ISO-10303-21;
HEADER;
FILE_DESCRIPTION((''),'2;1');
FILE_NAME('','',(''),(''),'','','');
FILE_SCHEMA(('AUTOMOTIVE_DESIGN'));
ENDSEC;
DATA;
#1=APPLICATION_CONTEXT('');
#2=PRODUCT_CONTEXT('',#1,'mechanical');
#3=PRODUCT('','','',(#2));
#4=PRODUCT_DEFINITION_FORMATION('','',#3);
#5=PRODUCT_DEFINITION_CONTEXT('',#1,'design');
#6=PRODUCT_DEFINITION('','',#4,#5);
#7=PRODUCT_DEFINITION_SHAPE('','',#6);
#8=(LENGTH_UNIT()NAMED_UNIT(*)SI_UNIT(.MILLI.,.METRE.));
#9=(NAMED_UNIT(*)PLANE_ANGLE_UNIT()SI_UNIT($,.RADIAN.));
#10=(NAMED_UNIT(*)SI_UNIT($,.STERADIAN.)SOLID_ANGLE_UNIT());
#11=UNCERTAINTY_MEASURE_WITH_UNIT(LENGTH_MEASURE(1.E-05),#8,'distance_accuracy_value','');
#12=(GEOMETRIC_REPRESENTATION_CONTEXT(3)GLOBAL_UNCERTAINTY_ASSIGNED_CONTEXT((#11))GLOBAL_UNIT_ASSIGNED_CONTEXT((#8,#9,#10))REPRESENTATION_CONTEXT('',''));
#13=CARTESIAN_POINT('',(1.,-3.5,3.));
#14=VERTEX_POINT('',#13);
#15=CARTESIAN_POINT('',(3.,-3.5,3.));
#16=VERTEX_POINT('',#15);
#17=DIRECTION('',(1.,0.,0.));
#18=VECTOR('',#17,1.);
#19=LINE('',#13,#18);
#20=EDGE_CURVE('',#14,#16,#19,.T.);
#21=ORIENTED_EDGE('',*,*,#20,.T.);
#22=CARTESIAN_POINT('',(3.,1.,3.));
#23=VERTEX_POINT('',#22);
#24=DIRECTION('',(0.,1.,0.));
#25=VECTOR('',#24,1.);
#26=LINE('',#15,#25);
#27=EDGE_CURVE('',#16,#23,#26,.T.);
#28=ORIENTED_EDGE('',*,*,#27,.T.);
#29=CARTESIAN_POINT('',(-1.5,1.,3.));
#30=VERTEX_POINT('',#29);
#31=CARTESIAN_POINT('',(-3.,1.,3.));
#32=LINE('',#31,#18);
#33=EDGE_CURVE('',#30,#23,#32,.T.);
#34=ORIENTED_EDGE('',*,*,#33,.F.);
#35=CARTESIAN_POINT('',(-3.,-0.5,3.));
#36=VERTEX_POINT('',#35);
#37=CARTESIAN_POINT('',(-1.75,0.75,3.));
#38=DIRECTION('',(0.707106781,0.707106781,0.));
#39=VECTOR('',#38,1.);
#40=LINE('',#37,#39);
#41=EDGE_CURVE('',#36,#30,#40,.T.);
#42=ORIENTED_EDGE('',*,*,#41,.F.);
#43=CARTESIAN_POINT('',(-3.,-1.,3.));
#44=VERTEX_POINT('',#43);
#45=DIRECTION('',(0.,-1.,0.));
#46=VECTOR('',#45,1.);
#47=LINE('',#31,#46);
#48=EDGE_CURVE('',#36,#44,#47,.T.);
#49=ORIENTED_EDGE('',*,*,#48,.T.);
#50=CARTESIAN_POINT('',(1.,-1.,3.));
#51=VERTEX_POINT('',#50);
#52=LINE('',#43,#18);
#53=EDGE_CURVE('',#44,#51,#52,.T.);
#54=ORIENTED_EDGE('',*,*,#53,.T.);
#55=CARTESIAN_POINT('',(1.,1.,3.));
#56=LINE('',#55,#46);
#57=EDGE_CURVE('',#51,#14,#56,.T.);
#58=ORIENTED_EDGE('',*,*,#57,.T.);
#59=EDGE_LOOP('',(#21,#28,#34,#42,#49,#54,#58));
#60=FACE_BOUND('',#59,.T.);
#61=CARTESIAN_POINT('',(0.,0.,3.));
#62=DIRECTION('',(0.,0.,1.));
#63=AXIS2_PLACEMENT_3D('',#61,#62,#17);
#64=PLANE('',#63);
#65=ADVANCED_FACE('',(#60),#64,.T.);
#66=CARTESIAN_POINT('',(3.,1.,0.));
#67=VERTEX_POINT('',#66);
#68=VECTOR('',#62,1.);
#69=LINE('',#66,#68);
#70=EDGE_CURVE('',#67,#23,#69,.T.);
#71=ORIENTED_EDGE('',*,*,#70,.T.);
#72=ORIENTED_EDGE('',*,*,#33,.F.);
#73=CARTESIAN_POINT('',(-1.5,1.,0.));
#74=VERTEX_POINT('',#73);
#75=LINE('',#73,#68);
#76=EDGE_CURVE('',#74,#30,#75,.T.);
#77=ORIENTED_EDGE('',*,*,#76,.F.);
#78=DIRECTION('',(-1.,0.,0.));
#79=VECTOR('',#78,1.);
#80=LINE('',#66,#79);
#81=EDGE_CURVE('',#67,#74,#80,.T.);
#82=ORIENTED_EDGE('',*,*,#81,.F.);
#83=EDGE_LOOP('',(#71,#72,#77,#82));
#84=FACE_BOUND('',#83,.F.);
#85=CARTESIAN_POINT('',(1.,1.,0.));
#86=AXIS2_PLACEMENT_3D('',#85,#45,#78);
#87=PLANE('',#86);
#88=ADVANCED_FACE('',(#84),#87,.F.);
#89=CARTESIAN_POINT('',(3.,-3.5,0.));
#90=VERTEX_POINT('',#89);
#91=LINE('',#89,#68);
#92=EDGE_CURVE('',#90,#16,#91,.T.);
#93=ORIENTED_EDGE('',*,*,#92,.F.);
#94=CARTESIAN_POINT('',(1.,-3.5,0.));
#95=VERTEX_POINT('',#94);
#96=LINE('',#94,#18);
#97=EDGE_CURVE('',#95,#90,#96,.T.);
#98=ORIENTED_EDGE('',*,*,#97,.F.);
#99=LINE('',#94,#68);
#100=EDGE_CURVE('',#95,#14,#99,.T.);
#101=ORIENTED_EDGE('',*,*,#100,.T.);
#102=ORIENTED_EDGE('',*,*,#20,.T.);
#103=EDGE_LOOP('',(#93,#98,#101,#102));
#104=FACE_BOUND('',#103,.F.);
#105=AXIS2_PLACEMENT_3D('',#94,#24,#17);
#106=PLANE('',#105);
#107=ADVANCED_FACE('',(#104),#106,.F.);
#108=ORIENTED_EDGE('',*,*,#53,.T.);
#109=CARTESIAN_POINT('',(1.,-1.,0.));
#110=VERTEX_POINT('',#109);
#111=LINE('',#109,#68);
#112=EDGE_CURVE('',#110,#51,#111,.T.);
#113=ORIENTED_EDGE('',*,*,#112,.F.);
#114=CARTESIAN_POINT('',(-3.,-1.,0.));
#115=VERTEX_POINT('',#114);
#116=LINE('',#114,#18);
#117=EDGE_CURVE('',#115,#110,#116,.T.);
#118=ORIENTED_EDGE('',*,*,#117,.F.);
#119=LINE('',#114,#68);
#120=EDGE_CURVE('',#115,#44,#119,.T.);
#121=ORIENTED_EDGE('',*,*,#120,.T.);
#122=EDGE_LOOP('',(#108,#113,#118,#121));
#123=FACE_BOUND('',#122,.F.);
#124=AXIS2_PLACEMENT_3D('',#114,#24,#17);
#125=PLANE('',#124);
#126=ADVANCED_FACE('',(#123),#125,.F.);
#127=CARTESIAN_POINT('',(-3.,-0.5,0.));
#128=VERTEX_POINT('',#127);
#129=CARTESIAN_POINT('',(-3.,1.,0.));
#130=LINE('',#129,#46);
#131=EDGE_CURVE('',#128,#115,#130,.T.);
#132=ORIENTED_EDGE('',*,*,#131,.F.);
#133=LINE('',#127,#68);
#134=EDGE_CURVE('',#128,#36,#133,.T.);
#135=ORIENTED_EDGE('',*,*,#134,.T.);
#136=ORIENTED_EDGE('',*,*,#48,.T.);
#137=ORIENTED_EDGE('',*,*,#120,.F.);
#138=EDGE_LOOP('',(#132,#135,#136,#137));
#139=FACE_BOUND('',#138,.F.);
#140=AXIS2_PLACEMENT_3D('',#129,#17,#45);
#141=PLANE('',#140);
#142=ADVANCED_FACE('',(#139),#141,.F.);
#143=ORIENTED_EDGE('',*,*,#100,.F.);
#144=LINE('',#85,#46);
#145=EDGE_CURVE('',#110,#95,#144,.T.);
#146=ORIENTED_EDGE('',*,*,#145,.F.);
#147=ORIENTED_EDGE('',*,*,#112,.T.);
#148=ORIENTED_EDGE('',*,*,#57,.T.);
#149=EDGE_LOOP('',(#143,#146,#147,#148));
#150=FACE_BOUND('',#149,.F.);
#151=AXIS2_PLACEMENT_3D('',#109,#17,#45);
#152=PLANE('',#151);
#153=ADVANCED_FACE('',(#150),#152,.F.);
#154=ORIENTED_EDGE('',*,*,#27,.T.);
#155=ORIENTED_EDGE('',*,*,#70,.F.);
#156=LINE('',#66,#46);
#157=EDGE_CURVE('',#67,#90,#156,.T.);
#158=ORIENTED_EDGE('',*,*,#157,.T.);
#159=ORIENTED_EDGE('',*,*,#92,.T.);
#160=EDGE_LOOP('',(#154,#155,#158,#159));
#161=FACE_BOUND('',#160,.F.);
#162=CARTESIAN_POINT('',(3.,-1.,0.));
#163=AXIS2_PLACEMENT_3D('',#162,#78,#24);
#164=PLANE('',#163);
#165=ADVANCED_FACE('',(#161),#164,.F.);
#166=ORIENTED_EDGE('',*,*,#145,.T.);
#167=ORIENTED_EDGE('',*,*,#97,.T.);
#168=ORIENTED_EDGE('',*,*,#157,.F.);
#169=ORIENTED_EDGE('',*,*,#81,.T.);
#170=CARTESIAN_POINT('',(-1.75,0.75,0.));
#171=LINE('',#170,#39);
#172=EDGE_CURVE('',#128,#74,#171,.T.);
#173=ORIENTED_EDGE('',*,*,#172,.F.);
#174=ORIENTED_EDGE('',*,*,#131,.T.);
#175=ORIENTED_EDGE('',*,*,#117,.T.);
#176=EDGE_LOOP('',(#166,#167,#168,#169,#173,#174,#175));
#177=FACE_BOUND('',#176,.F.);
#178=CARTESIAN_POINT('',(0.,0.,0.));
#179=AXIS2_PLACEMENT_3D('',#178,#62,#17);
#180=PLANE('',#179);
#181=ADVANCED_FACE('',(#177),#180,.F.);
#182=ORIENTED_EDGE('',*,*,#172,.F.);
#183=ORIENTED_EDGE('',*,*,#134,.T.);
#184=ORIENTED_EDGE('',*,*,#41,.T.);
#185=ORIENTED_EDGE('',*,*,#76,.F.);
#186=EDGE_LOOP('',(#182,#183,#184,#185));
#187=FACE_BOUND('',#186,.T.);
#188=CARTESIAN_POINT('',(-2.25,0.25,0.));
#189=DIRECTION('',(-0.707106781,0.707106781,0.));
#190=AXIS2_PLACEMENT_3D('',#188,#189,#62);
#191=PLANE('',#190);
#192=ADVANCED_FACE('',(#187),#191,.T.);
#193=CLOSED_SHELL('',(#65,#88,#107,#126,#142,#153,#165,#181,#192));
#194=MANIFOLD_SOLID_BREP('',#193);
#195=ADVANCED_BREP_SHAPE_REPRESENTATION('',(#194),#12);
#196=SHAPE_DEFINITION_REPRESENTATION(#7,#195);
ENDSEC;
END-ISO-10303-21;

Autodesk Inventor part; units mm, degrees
ref_plane "YZ Plane" through (0, 0, 0) normal (1, 0, 0) x (0, 1, 0)
ref_plane "XZ Plane" through (0, 0, 0) normal (0, 1, 0) x (-1, 0, 0)
ref_plane "XY Plane" through (0, 0, 0) normal (0, 0, 1) x (1, 0, 0)
sketch "Náčrt1" plane through (0, 0, 0) normal (0, 0, 1) x (1, 0, 0)
  line L0 (-3, -1) -> (3, -1)
  line L1 (3, -1) -> (3, 1)
  line L2 (3, 1) -> (-3, 1)
  line L3 (-3, 1) -> (-3, -1)
  line L4 (-3, -1) -> (3, 1) construction
  line L5 (3, -1) -> (-3, 1) construction
  line L6 (3, 1) -> (1, 1)
  line L7 (1, 1) -> (1, -3.5)
  line L8 (1, -3.5) -> (3, -3.5)
  line L9 (3, -3.5) -> (3, 1)
  point P0 (0, 0)
  point P1 (1, -1)
  dimension "d0" = 6
  dimension "d1" = 2
  dimension "d2" = 2
  dimension "d3" = 4.5
extrude "Vysunutí1" add sketch "Náčrt1" along normal blind 3
chamfer "Zkosení1" distance 1.5 angle 45 1 edges at (-3, 1, 1.5)
properties part number "sonar-liner_3D tisk"
